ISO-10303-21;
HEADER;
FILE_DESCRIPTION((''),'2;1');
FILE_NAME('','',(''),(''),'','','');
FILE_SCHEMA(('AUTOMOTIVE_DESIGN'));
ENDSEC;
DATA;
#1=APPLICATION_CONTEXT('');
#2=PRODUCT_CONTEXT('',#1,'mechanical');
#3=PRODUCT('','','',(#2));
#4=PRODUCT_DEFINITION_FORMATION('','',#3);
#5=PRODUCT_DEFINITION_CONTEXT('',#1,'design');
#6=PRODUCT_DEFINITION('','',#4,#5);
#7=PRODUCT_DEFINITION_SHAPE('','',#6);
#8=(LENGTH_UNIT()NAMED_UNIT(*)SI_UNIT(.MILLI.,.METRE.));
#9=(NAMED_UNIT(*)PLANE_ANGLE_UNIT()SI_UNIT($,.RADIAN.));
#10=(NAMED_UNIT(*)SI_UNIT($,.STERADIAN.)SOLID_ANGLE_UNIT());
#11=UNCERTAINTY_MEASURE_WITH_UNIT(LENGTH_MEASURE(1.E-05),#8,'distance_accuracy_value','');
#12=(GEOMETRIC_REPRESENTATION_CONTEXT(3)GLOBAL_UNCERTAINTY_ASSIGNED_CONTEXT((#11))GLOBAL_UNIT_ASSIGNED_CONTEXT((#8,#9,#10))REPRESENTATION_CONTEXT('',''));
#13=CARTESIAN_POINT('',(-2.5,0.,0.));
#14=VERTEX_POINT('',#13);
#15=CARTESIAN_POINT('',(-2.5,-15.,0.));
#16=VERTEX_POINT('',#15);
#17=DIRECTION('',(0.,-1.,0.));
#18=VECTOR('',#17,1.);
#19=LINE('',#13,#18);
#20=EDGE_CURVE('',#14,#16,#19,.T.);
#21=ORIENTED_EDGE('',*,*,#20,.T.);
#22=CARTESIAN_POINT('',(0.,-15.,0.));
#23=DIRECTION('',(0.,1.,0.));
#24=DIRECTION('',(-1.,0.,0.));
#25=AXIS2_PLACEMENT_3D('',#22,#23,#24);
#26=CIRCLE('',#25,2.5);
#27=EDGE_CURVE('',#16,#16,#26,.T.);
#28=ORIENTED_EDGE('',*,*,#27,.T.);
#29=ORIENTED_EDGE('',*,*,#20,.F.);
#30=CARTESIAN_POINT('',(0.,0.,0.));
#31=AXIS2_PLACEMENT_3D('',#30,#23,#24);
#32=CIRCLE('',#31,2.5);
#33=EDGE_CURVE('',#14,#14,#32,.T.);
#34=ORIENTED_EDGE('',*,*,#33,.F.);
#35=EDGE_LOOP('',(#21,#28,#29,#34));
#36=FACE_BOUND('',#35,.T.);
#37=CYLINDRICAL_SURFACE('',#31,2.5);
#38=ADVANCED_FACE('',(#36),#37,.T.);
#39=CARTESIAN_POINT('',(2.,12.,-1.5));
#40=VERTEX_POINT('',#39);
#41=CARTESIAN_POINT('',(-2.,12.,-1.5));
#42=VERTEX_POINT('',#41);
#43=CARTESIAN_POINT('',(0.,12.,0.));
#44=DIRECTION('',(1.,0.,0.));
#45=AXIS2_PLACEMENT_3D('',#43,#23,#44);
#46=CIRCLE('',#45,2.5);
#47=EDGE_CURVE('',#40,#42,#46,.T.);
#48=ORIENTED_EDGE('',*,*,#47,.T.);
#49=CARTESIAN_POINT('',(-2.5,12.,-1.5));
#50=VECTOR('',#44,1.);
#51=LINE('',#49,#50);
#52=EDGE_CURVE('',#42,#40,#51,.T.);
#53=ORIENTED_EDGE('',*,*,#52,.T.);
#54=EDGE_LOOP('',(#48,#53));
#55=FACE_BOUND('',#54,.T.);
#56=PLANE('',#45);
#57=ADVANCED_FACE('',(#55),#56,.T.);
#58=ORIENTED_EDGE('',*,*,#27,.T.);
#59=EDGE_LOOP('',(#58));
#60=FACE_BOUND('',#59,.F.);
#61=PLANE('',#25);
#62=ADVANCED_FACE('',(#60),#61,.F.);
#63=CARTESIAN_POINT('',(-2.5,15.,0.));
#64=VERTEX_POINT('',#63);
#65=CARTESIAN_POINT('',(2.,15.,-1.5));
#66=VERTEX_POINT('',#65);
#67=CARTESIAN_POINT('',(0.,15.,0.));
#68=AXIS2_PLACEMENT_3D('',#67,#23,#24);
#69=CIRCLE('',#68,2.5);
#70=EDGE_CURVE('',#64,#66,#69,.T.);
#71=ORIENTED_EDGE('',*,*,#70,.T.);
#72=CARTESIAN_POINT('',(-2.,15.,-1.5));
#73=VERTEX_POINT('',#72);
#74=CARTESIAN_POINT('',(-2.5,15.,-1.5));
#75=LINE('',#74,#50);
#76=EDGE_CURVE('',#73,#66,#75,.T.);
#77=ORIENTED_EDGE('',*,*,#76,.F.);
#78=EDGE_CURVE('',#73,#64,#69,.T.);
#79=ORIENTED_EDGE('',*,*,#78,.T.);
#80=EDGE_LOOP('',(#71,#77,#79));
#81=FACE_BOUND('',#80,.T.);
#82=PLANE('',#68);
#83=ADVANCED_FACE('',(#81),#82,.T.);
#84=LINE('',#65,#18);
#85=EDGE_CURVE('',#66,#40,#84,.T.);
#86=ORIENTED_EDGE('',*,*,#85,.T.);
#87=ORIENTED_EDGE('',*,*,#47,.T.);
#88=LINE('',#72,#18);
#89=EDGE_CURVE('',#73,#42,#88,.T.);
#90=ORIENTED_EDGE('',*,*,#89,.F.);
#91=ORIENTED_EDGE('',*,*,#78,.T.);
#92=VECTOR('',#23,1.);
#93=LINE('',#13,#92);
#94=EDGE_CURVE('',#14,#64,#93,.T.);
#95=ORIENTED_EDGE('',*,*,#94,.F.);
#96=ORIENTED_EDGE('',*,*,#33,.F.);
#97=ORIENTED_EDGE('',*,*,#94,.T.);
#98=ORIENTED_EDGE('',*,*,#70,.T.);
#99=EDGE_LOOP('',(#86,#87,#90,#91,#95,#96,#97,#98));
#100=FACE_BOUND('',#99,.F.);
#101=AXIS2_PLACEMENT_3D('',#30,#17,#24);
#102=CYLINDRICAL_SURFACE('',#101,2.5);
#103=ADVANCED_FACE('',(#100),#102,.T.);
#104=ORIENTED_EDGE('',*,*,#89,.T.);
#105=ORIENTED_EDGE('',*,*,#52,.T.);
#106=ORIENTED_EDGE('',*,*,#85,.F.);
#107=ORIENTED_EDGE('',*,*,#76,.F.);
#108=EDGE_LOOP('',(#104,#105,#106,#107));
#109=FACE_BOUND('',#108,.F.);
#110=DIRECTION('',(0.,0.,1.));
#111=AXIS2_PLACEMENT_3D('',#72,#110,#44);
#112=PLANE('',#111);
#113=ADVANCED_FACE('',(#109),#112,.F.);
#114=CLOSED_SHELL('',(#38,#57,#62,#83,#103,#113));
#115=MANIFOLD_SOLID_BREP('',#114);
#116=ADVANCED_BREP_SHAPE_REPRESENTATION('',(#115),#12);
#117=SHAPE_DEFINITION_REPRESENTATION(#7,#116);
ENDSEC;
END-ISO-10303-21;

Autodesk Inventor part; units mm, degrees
ref_plane "YZ Plane" through (0, 0, 0) normal (1, 0, 0) x (0, 1, 0)
ref_plane "XZ Plane" through (0, 0, 0) normal (0, 1, 0) x (-1, 0, 0)
ref_plane "XY Plane" through (0, 0, 0) normal (0, 0, 1) x (1, 0, 0)
sketch "Эскиз1" plane through (0, 0, 0) normal (0, 1, 0) x (-1, 0, 0)
  circle A0 centre (0, 0) radius 2.5
  dimension "d0" = 5
extrude "Выдавливание1" add sketch "Эскиз1" along normal mid plane 30
sketch "Эскиз2" plane through (0, 15, 0) normal (0, 1, 0) x (1, 0, 0)
  circle A0 centre (0, 0) radius 2.5
  line L0 (2.5, -1.5) -> (-2.5, -1.5)
  line L1 (-2.5, -1.5) -> (-2.5, 1.5)
  line L2 (-2.5, 1.5) -> (2.5, 1.5)
  line L3 (2.5, 1.5) -> (2.5, -1.5)
  line L4 (2.5, -1.5) -> (-2.5, 1.5) construction
  line L5 (-2.5, -1.5) -> (2.5, 1.5) construction
  point P0 (-2, 1.5)
  point P1 (2, 1.5)
  dimension "d3" = 5
  dimension "d4" = 3
extrude "Выдавливание2" cut sketch "Эскиз2" against normal blind 3 contours L2 A0
properties part number "Ось колес"
